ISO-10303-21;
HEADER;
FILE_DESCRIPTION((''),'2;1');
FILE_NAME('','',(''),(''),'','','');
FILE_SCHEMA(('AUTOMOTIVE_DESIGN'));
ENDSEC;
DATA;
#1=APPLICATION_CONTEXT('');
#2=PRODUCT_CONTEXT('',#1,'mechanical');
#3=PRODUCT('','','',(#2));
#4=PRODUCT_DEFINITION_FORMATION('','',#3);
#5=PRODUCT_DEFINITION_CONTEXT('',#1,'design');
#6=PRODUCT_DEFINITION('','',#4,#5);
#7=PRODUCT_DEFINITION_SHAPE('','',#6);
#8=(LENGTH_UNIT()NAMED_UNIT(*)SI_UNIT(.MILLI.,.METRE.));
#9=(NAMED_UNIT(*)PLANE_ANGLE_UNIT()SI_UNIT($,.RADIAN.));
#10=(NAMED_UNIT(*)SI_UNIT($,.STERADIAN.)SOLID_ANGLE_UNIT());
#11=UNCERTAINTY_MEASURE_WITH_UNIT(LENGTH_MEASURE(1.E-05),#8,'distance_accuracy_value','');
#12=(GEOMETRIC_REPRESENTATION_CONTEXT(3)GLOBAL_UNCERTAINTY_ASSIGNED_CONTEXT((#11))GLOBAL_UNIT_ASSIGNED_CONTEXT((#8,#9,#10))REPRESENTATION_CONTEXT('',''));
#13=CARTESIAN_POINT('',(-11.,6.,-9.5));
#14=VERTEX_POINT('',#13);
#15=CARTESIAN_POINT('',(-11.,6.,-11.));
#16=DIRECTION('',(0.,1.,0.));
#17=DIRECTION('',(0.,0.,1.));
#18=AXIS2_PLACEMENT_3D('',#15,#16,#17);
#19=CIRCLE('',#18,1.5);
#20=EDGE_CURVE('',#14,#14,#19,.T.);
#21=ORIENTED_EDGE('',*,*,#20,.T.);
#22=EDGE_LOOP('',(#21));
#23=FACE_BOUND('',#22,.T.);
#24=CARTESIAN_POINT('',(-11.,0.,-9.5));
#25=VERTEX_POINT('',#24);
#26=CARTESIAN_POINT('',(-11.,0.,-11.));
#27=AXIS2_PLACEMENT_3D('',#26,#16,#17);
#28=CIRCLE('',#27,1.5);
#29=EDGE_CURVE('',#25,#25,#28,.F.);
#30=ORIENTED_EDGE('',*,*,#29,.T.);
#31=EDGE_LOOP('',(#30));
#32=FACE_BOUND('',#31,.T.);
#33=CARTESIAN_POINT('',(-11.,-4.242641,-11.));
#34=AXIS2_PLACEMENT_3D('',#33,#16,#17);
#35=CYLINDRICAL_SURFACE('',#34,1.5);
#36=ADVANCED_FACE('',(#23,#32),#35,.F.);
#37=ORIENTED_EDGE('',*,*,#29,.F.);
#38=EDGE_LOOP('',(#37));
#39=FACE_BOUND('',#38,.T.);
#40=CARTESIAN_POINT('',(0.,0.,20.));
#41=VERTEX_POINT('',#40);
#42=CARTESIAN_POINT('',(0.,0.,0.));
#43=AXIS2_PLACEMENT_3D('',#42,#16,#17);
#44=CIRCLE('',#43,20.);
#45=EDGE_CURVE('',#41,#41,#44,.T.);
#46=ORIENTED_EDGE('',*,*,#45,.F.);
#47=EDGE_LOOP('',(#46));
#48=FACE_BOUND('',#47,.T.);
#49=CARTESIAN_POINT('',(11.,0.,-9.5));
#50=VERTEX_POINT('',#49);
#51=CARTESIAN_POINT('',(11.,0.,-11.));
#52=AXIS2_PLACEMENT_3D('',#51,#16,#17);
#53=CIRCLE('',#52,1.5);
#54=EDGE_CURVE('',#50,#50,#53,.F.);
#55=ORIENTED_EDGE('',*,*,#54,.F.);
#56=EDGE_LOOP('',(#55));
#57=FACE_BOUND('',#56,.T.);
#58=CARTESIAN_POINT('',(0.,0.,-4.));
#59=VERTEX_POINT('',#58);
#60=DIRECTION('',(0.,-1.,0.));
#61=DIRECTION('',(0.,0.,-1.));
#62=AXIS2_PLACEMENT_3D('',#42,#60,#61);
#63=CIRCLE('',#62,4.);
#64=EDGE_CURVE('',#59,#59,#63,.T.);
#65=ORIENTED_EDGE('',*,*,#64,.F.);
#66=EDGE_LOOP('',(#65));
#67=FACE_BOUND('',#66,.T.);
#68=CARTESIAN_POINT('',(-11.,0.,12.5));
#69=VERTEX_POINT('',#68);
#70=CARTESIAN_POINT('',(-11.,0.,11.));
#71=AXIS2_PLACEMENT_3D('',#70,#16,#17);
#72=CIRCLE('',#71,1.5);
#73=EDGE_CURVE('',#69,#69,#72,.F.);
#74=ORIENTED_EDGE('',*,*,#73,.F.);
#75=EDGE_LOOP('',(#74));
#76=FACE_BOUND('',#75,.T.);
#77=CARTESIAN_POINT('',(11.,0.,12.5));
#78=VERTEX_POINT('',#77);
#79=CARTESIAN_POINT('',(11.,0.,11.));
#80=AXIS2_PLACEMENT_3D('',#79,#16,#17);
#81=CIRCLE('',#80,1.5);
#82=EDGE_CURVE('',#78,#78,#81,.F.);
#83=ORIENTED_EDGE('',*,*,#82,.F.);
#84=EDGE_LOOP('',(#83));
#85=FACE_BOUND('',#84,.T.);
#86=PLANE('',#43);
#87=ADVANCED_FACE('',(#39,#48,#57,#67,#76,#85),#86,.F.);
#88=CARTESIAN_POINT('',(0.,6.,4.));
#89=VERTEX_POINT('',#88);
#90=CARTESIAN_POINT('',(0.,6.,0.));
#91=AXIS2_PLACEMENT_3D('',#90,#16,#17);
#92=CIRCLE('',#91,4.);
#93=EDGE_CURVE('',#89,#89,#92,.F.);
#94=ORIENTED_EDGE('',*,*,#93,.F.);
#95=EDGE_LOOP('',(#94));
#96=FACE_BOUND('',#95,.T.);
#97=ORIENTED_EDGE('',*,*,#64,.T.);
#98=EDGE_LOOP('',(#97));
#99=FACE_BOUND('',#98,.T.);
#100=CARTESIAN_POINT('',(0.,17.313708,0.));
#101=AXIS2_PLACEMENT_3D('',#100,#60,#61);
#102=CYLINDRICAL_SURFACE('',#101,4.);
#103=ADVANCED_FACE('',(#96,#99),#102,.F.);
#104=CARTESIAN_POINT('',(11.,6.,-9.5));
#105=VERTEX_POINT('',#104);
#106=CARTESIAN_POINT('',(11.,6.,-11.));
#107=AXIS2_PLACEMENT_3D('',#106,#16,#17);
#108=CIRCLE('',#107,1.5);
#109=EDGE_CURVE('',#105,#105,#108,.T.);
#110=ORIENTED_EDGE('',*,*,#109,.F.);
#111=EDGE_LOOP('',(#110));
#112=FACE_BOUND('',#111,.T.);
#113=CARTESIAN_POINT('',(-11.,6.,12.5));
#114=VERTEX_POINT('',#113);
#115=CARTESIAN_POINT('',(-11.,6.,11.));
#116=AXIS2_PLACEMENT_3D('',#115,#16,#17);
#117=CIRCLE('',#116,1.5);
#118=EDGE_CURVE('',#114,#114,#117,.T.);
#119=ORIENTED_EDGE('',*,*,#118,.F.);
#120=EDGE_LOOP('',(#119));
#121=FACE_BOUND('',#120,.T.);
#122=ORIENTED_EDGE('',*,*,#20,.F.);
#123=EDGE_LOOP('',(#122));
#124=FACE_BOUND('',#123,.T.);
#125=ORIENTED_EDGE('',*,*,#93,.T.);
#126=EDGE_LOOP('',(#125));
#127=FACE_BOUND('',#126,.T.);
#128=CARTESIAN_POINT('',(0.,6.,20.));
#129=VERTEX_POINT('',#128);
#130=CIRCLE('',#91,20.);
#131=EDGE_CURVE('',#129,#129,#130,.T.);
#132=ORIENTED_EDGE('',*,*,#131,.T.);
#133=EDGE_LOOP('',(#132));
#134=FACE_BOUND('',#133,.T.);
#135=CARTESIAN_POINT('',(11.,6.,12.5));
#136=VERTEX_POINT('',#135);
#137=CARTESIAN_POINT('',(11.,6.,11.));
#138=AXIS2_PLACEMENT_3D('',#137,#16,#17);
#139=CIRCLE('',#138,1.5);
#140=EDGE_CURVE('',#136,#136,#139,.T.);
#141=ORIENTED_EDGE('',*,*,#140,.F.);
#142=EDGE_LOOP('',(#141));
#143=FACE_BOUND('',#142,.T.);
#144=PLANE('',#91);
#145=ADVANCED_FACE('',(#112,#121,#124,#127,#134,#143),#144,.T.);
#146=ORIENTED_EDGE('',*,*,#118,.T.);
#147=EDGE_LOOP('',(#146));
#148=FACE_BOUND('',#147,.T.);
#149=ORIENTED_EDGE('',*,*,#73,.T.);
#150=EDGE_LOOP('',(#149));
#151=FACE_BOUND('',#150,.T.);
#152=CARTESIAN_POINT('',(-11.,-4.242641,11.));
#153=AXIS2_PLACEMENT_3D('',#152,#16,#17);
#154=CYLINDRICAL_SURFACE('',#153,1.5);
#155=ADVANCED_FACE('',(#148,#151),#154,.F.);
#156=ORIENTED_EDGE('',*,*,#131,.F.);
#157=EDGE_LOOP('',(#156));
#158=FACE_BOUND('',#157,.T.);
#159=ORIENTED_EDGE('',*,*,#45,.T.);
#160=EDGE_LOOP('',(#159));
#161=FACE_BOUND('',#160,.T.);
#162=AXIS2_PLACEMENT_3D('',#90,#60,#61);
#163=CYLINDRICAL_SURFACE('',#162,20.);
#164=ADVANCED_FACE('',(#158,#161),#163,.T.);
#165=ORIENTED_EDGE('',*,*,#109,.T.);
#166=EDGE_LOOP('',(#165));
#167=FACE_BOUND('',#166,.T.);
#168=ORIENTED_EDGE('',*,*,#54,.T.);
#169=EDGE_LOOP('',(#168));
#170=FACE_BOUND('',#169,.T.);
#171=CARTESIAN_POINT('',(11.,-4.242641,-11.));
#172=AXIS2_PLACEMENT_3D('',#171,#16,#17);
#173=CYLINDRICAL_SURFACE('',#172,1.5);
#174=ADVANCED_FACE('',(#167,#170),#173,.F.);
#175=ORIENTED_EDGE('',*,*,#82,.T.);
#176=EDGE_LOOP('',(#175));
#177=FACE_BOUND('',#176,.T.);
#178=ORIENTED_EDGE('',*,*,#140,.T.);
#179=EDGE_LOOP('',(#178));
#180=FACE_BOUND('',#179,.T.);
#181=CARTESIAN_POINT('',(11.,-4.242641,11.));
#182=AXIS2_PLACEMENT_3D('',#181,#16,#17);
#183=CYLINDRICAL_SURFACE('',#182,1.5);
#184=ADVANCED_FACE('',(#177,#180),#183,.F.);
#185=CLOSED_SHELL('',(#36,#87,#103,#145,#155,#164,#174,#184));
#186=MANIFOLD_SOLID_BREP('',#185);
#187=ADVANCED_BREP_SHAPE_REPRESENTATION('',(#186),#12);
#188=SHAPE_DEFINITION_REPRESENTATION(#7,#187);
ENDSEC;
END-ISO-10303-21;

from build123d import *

# Parameters (mm, degrees)
SKETCH1_R                         = 20
ARM_DISTANS_BOSS_EXTRUDE1_DEPTH   = 6
SKETCH2_R                         = 1.5
MOUNTING_HOLES_CUT_EXTRUDE1_DEPTH = 6
SKETCH3_R                         = 4
CUT_EXTRUDE1_DEPTH                = 6


with BuildPart() as part:
    # Sketch1 → Arm Distans Boss-Extrude1 (new body)
    with BuildSketch(Plane(origin=(0, 0, 0), x_dir=(1, 0, 0), z_dir=(0, 1, 0))):
        with Locations(Location((0, 0, 0), (0, 0, 270))):
            Circle(SKETCH1_R)
    extrude(amount=ARM_DISTANS_BOSS_EXTRUDE1_DEPTH)

    # Sketch2 → Mounting Holes Cut-Extrude1 (cut)
    with BuildSketch(Plane(origin=(0, 6, 0), x_dir=(1, 0, 0), z_dir=(0, 1, 0))):
        with Locations(Location((11, 11, 0), (0, 0, 270))):
            Circle(SKETCH2_R)
        with Locations(Location((-11, 11, 0), (0, 0, 270))):
            Circle(SKETCH2_R)
        with Locations(Location((-11, -11, 0), (0, 0, 270))):
            Circle(SKETCH2_R)
        with Locations(Location((11, -11, 0), (0, 0, 270))):
            Circle(SKETCH2_R)
    extrude(amount=-MOUNTING_HOLES_CUT_EXTRUDE1_DEPTH, mode=Mode.SUBTRACT)

    # Sketch3 → Cut-Extrude1 (cut)
    with BuildSketch(Plane.XZ):
        with Locations(Location((0, 0, 0), (0, 0, 270))):
            Circle(SKETCH3_R)
    extrude(amount=-CUT_EXTRUDE1_DEPTH, mode=Mode.SUBTRACT)


solid = part.part
